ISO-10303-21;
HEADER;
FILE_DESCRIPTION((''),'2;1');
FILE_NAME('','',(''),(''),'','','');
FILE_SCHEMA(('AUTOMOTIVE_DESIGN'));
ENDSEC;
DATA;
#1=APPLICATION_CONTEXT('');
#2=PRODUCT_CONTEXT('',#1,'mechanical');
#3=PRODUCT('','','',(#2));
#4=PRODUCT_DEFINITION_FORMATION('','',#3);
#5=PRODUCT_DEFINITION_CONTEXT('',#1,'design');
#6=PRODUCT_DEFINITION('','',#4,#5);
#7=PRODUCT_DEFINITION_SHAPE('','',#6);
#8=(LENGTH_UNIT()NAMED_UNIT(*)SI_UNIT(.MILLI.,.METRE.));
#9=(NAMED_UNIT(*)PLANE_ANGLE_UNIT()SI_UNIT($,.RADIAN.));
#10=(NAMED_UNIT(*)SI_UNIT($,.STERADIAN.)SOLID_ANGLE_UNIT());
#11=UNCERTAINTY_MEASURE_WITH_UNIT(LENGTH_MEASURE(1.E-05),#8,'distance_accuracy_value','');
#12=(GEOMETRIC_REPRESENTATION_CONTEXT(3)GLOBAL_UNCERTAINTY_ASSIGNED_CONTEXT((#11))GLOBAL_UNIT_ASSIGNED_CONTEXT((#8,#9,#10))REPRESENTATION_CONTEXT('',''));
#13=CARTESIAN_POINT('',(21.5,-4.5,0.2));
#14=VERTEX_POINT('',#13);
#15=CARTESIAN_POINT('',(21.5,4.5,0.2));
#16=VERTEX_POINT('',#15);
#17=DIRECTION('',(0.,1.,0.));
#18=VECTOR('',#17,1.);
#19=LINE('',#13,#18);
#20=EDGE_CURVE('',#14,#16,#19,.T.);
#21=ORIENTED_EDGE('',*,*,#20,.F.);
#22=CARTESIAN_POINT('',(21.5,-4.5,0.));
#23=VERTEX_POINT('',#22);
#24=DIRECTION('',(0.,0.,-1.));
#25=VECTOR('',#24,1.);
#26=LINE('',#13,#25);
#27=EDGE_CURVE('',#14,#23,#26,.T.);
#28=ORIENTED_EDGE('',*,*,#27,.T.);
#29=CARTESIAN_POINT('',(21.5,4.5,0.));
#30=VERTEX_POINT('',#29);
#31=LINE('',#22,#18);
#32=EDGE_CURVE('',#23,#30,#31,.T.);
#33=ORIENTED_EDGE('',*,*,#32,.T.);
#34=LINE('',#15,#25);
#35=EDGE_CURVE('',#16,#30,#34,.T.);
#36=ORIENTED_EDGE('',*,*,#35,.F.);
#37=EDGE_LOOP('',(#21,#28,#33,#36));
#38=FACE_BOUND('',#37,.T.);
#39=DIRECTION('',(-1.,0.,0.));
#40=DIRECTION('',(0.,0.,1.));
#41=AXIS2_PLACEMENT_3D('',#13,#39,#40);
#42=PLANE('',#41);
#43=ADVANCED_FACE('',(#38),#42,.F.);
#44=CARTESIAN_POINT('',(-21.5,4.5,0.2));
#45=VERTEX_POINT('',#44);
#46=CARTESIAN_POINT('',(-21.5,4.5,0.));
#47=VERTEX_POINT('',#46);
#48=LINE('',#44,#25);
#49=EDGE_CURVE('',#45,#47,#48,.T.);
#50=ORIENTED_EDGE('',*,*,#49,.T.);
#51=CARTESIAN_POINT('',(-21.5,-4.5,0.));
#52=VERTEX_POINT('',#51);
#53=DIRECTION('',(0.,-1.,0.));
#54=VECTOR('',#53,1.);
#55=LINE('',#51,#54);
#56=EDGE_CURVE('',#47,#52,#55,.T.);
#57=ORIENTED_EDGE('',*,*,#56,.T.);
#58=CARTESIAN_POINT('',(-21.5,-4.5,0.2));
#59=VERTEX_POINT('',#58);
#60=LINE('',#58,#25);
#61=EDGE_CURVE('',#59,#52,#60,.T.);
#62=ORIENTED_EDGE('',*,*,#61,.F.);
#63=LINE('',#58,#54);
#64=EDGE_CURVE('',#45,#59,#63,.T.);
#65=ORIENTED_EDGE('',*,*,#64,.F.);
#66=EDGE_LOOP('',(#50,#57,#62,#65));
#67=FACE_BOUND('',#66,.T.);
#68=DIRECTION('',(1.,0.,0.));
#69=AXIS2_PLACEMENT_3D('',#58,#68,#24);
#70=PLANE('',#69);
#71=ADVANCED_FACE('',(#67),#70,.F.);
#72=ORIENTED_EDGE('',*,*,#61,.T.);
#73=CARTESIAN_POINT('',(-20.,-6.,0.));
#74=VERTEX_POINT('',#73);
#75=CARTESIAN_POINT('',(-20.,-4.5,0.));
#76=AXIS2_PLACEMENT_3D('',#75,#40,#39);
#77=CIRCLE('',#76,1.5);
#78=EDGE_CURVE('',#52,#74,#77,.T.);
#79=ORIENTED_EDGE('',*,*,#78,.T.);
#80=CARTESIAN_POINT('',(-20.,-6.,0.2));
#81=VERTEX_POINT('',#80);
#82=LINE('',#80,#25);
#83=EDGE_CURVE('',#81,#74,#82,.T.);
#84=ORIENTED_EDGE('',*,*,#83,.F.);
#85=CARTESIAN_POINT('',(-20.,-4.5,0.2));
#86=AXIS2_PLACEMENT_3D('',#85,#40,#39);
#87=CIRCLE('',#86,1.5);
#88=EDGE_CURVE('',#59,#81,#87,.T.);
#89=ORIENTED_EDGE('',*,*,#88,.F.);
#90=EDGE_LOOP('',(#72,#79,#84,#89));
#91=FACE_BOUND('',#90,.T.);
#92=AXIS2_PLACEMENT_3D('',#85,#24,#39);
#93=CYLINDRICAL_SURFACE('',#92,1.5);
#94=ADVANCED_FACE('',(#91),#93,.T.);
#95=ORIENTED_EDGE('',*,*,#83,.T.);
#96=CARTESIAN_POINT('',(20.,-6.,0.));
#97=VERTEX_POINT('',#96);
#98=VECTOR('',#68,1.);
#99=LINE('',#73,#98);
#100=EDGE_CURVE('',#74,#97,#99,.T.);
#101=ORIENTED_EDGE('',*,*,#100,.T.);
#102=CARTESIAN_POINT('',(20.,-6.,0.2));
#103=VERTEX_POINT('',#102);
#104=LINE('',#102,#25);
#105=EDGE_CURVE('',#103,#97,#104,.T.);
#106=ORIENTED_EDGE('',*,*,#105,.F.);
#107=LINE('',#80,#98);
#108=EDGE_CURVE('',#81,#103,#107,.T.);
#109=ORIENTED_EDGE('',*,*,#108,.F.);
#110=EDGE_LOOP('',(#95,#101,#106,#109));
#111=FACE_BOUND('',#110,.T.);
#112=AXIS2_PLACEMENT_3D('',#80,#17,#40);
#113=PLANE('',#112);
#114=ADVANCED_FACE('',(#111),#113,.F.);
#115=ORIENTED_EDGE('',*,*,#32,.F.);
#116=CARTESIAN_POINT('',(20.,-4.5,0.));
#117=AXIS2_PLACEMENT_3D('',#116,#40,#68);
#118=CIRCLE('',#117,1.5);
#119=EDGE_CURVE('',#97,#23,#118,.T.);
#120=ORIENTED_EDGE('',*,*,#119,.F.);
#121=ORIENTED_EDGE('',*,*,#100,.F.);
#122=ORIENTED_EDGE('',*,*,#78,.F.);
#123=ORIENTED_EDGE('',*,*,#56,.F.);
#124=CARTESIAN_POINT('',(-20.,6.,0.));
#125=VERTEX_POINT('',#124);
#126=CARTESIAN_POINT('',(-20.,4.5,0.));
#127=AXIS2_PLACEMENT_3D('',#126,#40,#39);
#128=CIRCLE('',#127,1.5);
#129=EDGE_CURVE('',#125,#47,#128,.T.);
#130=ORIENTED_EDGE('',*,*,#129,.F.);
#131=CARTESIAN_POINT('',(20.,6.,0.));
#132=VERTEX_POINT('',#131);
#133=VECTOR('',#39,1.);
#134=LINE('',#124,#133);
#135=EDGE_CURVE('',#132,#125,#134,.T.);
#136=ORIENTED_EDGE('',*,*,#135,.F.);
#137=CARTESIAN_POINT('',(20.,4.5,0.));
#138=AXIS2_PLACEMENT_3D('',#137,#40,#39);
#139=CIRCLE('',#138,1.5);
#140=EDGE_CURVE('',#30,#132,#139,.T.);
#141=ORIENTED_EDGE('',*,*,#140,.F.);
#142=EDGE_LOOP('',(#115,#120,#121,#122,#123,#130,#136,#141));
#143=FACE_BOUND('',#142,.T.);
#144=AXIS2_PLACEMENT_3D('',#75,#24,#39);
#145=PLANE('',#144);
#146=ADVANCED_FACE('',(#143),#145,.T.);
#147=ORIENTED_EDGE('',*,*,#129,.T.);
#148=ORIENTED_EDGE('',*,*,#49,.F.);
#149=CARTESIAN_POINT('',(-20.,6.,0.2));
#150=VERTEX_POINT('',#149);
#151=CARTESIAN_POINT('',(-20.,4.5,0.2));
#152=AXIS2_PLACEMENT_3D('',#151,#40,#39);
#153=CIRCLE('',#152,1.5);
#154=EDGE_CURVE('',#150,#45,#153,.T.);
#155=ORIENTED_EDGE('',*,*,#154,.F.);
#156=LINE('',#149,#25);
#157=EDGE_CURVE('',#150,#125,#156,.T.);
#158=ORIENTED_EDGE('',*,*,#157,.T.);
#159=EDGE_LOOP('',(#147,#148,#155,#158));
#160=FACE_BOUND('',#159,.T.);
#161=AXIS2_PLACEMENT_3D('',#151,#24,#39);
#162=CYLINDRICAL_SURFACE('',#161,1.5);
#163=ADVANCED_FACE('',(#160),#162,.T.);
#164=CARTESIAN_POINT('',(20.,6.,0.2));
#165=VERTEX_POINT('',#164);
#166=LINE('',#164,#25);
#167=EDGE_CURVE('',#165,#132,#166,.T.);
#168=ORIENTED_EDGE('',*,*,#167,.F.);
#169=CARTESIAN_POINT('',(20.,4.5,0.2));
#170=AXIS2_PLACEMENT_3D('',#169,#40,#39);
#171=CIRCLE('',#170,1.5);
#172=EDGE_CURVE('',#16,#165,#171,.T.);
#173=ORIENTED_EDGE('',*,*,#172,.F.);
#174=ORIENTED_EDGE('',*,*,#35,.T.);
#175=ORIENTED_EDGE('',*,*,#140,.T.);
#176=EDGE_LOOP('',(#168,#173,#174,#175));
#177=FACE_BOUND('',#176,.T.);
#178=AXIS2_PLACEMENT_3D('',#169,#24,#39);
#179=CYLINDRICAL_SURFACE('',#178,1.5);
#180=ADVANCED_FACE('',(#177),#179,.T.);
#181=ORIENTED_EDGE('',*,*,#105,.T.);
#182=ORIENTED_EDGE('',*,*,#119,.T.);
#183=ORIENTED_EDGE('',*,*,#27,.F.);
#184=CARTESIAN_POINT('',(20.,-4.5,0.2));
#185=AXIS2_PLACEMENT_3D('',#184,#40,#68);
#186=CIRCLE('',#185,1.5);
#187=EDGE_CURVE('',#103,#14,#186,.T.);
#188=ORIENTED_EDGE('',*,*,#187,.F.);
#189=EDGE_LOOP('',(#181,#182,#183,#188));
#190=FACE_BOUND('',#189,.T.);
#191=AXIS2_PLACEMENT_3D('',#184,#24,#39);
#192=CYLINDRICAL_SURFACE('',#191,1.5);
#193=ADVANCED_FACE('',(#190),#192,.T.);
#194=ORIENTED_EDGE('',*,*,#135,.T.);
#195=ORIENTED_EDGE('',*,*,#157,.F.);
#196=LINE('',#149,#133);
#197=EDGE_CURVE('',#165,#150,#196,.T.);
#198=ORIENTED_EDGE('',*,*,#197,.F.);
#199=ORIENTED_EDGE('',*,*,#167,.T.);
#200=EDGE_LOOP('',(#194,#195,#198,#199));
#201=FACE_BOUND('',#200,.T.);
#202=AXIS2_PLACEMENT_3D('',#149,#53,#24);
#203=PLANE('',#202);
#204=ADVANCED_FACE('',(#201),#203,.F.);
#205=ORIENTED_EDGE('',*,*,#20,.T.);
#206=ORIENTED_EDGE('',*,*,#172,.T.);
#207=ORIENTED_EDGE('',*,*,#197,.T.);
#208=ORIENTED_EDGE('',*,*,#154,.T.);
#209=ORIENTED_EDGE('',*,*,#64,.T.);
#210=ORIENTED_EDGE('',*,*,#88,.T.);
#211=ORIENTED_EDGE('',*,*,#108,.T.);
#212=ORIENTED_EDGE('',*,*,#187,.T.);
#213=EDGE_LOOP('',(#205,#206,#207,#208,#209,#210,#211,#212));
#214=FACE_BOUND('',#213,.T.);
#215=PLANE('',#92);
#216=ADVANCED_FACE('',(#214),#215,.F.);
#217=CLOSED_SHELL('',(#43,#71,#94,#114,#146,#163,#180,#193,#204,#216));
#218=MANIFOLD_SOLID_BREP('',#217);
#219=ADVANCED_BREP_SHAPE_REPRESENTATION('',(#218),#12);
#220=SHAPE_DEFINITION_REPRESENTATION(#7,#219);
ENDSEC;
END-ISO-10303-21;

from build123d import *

# Parameters (mm, degrees)
BOSS_EXTRUDE1_DEPTH = 0.2


with BuildPart() as part:
    # Sketch1 → Boss-Extrude1 (new body)
    with BuildSketch(Plane.XY):
        with BuildLine():
            Line((-20, -6), (20, -6))
            ThreePointArc((20, -6), (21.060660172, -5.560660172), (21.5, -4.5))
            Line((21.5, -4.5), (21.5, 4.5))
            ThreePointArc((21.5, 4.5), (21.060660172, 5.560660172), (20, 6))
            Line((20, 6), (-20, 6))
            ThreePointArc((-20, 6), (-21.060660172, 5.560660172), (-21.5, 4.5))
            Line((-21.5, 4.5), (-21.5, -4.5))
            ThreePointArc((-21.5, -4.5), (-21.060660172, -5.560660172), (-20, -6))
        make_face()
    extrude(amount=BOSS_EXTRUDE1_DEPTH)


solid = part.part
